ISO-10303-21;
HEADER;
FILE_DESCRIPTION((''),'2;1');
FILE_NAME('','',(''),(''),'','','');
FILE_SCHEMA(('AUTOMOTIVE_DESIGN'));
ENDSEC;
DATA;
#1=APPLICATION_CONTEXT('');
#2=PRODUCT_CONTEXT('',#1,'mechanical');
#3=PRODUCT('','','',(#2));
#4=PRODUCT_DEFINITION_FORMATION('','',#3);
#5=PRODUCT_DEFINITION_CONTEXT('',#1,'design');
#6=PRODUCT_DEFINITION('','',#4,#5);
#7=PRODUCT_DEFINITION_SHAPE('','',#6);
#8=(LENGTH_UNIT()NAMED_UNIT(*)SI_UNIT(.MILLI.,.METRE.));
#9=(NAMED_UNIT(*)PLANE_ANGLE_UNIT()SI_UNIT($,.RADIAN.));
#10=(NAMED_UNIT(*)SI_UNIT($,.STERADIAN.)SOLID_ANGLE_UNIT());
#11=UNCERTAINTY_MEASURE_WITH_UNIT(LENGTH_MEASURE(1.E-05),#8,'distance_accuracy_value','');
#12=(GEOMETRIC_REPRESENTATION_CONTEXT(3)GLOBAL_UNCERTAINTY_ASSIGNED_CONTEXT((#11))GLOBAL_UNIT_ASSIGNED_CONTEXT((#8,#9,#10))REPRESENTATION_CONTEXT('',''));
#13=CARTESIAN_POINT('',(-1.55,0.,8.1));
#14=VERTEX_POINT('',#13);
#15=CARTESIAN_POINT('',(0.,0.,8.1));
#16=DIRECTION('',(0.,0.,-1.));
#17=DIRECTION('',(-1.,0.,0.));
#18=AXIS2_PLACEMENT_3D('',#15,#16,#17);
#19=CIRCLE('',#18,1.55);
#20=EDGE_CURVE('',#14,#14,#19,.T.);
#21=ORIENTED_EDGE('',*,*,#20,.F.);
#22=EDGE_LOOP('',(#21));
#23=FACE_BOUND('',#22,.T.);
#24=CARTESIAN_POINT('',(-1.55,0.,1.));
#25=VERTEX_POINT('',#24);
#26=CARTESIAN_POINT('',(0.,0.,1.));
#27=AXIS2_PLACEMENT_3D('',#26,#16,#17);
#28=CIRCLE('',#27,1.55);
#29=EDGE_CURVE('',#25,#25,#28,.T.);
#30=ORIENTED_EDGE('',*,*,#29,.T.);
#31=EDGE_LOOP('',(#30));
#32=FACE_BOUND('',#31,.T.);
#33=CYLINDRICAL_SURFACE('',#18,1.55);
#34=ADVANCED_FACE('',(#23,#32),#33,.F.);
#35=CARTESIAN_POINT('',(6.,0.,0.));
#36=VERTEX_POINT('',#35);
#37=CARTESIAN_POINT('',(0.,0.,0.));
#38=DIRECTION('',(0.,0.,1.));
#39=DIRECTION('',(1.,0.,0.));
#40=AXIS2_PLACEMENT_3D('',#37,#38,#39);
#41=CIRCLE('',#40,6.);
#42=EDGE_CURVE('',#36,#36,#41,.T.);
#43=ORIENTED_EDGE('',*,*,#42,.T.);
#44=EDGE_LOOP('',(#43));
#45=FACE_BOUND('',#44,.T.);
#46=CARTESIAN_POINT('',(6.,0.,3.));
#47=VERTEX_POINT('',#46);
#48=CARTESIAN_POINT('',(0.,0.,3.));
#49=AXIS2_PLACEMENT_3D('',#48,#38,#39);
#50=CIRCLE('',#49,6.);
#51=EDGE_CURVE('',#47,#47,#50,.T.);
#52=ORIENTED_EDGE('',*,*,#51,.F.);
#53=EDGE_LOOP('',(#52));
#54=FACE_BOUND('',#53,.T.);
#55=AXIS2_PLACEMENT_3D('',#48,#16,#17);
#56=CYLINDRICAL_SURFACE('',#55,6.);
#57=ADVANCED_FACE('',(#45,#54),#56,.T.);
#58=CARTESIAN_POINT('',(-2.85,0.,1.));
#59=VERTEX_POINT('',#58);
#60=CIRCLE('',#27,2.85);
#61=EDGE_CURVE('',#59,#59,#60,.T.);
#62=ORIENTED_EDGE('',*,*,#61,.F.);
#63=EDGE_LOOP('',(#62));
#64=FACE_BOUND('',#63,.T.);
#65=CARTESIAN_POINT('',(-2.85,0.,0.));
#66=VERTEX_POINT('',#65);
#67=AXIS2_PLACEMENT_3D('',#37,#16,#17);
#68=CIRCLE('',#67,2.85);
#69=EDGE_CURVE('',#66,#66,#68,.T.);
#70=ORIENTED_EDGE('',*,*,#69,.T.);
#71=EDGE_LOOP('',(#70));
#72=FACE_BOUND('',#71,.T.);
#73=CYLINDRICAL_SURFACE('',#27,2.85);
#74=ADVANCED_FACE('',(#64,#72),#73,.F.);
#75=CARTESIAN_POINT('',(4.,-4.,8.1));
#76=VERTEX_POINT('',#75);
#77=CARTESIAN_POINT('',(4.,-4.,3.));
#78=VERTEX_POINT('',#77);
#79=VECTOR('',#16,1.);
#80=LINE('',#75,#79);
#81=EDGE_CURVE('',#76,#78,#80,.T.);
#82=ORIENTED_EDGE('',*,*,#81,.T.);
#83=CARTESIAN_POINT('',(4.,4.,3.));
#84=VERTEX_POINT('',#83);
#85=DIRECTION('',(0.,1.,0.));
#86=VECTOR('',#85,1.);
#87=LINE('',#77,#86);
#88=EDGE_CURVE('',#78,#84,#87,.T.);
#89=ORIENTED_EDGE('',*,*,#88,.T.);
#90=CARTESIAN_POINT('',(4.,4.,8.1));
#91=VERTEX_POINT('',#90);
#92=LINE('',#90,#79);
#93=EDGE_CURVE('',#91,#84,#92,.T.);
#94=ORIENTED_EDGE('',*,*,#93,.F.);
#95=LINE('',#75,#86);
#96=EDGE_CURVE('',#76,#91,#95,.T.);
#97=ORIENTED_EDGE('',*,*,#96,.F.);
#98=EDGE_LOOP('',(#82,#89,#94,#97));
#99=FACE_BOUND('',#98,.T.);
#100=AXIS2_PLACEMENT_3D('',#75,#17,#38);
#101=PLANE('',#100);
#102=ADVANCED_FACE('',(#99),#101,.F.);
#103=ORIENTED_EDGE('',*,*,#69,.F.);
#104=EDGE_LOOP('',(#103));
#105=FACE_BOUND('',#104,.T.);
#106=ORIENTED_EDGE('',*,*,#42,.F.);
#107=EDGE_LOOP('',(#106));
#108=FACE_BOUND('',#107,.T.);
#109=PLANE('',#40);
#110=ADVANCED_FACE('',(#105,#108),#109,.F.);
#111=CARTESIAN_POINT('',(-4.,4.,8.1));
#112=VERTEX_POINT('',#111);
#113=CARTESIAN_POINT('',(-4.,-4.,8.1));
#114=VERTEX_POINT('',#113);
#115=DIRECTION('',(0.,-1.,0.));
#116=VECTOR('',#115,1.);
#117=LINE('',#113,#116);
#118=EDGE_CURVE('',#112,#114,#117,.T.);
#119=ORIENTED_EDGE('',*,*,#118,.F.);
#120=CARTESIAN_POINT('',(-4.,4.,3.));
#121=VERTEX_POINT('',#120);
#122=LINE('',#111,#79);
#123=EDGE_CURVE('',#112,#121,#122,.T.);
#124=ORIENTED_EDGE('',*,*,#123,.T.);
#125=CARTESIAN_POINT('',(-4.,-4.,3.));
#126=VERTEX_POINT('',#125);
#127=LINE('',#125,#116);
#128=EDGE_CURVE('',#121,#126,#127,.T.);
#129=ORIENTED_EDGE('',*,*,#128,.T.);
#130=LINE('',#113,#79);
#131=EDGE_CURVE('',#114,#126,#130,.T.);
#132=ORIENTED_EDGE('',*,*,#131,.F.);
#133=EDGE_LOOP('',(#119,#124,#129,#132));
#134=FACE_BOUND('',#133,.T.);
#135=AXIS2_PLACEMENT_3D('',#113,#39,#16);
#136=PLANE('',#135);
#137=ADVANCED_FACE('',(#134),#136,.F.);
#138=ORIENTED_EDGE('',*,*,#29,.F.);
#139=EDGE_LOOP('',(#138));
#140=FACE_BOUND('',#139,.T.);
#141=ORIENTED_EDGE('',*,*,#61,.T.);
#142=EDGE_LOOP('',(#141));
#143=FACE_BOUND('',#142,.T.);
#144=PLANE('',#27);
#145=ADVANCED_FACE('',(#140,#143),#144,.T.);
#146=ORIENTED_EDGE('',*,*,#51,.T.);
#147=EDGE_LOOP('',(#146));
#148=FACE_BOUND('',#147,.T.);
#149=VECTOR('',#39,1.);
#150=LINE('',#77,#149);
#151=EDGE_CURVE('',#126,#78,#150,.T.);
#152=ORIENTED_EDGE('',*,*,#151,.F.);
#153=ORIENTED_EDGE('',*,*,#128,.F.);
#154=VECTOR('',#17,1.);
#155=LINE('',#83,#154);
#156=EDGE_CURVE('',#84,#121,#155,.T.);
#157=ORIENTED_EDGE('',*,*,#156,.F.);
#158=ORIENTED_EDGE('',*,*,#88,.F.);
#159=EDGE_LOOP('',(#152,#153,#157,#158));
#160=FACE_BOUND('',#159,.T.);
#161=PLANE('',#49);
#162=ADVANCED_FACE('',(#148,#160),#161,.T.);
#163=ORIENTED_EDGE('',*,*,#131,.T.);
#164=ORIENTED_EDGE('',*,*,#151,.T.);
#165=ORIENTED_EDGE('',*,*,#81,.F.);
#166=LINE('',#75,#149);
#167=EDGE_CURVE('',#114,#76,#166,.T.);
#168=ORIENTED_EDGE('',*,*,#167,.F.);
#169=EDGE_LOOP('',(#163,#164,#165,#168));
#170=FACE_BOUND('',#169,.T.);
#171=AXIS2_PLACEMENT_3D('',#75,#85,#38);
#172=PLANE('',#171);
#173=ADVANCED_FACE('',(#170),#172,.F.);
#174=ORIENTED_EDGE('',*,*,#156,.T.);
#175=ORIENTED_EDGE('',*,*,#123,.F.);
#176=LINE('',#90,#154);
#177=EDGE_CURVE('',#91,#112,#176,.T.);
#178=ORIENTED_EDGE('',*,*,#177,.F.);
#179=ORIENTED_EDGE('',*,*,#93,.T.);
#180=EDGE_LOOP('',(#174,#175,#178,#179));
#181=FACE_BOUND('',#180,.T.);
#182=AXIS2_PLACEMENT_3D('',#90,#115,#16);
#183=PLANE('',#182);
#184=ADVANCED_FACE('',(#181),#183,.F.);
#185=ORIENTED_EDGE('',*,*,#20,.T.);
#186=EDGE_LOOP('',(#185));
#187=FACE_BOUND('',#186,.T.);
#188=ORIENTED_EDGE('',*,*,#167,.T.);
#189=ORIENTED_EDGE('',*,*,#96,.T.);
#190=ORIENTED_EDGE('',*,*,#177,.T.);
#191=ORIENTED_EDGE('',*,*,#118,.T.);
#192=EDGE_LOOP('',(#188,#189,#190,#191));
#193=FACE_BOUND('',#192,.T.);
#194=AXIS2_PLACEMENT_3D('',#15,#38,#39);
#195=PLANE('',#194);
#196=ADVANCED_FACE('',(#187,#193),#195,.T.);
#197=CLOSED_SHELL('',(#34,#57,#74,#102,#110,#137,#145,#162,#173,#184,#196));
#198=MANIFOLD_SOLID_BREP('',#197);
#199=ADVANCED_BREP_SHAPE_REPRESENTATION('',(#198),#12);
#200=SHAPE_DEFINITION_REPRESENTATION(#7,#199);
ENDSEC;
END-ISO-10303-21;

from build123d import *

# Parameters (mm, degrees)
SKETCH_1_R          = 6
EXTRUDE_1_DEPTH     = 3
SKETCH_2_W          = 8
SKETCH_2_H          = 8
EXTRUDE_2_DEPTH     = 5.1
SKETCH_4_R          = 2.85
CUT_EXTRUDE_1_DEPTH = 1
SKETCH_5_R          = 1.55
CUT_EXTRUDE_2_DEPTH = 8.1


with BuildPart() as part:
    # 草图1 → 凸台-拉伸1 (new body)
    with BuildSketch(Plane.XY):
        Circle(SKETCH_1_R)
    extrude(amount=EXTRUDE_1_DEPTH)

    # 草图2 → 凸台-拉伸2 (add)
    with BuildSketch(Plane.XY.offset(3)):
        Rectangle(SKETCH_2_W, SKETCH_2_H)
    extrude(amount=EXTRUDE_2_DEPTH)

    # 草图4 → 切除-拉伸1 (cut)
    with BuildSketch(Plane(origin=(0, 0, 0), x_dir=(-1, 0, 0), z_dir=(0, 0, -1))):
        Circle(SKETCH_4_R)
    extrude(amount=-CUT_EXTRUDE_1_DEPTH, mode=Mode.SUBTRACT)

    # 草图5 → 切除-拉伸2 (cut, through all)
    with BuildSketch(Plane(origin=(0, 0, 1), x_dir=(-1, 0, 0), z_dir=(0, 0, -1))):
        Circle(SKETCH_5_R)
    extrude(amount=-CUT_EXTRUDE_2_DEPTH, mode=Mode.SUBTRACT)


solid = part.part
